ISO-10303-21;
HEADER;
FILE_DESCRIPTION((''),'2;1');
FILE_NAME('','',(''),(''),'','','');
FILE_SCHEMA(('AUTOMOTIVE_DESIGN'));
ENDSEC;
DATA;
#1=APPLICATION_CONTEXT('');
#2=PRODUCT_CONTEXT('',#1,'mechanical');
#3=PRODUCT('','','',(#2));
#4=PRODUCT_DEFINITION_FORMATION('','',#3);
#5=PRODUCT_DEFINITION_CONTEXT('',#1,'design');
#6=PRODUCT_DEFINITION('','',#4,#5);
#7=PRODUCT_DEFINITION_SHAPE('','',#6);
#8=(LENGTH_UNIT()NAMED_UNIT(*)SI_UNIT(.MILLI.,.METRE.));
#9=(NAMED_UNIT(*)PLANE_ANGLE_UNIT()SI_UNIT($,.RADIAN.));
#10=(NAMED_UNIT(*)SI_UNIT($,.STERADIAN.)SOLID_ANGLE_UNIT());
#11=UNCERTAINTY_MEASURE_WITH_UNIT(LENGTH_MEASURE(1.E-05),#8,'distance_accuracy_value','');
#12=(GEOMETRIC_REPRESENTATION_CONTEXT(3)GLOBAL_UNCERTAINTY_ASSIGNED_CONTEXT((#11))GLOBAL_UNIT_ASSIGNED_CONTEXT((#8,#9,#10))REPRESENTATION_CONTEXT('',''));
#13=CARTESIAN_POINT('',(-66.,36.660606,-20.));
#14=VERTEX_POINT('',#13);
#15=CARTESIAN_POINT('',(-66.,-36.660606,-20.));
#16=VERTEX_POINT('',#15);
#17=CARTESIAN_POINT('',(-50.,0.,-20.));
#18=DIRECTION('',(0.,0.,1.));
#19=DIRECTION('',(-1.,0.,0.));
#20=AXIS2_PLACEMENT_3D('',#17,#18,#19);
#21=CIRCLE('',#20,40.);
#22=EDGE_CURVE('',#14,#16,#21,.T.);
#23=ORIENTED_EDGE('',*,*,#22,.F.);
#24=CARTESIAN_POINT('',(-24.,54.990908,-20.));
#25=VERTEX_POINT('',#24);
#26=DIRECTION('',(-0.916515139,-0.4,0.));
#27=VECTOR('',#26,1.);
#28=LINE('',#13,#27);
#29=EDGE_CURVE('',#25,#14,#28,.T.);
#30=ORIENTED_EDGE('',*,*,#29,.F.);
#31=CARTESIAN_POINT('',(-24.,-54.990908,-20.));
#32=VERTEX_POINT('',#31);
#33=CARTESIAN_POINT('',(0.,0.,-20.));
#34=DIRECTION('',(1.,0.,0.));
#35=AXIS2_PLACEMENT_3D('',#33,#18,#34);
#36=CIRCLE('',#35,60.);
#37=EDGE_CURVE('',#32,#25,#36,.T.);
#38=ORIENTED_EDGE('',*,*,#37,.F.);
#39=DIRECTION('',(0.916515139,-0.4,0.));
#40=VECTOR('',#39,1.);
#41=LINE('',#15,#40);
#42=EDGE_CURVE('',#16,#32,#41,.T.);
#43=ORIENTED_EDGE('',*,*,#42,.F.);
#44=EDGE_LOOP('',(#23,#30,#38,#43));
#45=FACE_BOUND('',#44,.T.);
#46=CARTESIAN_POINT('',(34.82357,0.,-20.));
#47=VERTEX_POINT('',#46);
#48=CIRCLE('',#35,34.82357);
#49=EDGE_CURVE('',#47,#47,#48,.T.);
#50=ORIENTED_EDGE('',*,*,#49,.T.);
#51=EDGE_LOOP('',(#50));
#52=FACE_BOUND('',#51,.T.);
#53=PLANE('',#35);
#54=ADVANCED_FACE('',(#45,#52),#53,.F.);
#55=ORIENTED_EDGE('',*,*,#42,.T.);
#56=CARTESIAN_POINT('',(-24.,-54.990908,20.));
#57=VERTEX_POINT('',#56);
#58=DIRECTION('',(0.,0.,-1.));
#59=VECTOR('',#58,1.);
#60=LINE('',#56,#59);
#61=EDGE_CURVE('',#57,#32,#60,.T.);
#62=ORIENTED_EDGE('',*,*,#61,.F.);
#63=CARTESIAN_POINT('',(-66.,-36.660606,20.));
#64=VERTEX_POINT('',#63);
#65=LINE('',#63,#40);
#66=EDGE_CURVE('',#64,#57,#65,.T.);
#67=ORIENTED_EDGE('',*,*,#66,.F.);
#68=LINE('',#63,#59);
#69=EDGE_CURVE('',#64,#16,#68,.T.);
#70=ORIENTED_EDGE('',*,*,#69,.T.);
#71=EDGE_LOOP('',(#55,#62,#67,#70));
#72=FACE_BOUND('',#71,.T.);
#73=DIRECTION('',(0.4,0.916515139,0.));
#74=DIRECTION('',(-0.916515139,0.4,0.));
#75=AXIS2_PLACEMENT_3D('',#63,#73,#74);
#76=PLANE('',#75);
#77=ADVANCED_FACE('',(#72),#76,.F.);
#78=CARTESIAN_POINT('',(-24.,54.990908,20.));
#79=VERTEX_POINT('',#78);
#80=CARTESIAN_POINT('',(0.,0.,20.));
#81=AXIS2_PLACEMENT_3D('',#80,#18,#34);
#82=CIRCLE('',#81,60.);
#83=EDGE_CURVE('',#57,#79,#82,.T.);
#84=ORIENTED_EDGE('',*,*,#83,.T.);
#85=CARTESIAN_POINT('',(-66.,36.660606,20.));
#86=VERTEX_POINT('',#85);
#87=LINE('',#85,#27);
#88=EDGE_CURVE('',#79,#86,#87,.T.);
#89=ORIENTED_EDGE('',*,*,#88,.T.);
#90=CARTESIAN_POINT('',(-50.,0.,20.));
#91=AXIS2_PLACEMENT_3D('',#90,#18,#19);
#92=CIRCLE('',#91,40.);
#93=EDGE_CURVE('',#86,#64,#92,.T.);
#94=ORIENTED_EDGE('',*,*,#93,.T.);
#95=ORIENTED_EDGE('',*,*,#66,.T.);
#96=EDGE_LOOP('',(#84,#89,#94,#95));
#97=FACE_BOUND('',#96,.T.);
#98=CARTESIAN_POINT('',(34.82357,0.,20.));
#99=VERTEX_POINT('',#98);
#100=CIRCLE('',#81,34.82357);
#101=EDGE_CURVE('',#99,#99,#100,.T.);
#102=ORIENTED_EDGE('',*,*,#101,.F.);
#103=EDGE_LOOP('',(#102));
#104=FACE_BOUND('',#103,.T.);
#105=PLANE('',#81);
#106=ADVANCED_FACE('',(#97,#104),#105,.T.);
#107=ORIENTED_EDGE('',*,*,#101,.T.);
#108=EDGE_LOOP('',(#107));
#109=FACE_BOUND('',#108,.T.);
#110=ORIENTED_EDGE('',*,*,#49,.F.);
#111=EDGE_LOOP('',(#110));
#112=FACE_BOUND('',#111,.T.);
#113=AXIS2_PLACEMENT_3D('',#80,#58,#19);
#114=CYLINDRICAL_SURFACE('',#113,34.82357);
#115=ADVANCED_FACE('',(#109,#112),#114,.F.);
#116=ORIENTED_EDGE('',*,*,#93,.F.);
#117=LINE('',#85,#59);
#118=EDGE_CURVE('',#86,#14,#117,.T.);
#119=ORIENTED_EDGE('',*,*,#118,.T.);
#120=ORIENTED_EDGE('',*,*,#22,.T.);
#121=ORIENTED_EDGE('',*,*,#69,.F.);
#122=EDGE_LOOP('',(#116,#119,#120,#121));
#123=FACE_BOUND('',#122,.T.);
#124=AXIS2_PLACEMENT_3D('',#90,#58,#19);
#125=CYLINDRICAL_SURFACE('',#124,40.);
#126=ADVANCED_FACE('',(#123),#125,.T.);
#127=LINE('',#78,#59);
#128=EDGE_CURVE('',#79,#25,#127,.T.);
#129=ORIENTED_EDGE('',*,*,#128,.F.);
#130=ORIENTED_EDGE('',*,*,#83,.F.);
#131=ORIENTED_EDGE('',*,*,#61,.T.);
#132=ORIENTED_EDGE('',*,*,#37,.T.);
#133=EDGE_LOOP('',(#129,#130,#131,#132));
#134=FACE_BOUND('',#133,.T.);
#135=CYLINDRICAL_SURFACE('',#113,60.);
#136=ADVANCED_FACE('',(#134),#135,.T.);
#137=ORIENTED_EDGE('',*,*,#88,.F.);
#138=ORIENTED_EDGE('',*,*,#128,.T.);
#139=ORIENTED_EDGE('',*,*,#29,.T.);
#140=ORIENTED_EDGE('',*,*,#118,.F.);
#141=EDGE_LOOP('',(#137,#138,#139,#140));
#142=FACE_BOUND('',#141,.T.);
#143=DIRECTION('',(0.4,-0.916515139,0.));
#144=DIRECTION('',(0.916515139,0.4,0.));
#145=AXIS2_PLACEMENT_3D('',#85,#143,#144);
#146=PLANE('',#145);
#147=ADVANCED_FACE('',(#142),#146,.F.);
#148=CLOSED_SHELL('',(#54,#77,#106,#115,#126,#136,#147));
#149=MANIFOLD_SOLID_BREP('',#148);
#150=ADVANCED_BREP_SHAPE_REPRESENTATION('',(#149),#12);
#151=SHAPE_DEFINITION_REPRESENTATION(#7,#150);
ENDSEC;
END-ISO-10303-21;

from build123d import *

# Parameters (mm, degrees)
SKETCH1_R           = 34.823570188
BOSS_EXTRUDE1_DEPTH = 20


with BuildPart() as part:
    # Sketch1 → Boss-Extrude1 (new, symmetric)
    with BuildSketch(Plane.XY):
        with BuildLine():
            Line((-66, 36.66060556), (-24, 54.990908339))
            ThreePointArc((-24, 54.990908339), (60, 0), (-24, -54.990908339))
            Line((-24, -54.990908339), (-66, -36.66060556))
            ThreePointArc((-66, -36.66060556), (-90, 0), (-66, 36.66060556))
        make_face()
        Circle(SKETCH1_R, mode=Mode.SUBTRACT)
    extrude(amount=BOSS_EXTRUDE1_DEPTH, both=True)


solid = part.part
